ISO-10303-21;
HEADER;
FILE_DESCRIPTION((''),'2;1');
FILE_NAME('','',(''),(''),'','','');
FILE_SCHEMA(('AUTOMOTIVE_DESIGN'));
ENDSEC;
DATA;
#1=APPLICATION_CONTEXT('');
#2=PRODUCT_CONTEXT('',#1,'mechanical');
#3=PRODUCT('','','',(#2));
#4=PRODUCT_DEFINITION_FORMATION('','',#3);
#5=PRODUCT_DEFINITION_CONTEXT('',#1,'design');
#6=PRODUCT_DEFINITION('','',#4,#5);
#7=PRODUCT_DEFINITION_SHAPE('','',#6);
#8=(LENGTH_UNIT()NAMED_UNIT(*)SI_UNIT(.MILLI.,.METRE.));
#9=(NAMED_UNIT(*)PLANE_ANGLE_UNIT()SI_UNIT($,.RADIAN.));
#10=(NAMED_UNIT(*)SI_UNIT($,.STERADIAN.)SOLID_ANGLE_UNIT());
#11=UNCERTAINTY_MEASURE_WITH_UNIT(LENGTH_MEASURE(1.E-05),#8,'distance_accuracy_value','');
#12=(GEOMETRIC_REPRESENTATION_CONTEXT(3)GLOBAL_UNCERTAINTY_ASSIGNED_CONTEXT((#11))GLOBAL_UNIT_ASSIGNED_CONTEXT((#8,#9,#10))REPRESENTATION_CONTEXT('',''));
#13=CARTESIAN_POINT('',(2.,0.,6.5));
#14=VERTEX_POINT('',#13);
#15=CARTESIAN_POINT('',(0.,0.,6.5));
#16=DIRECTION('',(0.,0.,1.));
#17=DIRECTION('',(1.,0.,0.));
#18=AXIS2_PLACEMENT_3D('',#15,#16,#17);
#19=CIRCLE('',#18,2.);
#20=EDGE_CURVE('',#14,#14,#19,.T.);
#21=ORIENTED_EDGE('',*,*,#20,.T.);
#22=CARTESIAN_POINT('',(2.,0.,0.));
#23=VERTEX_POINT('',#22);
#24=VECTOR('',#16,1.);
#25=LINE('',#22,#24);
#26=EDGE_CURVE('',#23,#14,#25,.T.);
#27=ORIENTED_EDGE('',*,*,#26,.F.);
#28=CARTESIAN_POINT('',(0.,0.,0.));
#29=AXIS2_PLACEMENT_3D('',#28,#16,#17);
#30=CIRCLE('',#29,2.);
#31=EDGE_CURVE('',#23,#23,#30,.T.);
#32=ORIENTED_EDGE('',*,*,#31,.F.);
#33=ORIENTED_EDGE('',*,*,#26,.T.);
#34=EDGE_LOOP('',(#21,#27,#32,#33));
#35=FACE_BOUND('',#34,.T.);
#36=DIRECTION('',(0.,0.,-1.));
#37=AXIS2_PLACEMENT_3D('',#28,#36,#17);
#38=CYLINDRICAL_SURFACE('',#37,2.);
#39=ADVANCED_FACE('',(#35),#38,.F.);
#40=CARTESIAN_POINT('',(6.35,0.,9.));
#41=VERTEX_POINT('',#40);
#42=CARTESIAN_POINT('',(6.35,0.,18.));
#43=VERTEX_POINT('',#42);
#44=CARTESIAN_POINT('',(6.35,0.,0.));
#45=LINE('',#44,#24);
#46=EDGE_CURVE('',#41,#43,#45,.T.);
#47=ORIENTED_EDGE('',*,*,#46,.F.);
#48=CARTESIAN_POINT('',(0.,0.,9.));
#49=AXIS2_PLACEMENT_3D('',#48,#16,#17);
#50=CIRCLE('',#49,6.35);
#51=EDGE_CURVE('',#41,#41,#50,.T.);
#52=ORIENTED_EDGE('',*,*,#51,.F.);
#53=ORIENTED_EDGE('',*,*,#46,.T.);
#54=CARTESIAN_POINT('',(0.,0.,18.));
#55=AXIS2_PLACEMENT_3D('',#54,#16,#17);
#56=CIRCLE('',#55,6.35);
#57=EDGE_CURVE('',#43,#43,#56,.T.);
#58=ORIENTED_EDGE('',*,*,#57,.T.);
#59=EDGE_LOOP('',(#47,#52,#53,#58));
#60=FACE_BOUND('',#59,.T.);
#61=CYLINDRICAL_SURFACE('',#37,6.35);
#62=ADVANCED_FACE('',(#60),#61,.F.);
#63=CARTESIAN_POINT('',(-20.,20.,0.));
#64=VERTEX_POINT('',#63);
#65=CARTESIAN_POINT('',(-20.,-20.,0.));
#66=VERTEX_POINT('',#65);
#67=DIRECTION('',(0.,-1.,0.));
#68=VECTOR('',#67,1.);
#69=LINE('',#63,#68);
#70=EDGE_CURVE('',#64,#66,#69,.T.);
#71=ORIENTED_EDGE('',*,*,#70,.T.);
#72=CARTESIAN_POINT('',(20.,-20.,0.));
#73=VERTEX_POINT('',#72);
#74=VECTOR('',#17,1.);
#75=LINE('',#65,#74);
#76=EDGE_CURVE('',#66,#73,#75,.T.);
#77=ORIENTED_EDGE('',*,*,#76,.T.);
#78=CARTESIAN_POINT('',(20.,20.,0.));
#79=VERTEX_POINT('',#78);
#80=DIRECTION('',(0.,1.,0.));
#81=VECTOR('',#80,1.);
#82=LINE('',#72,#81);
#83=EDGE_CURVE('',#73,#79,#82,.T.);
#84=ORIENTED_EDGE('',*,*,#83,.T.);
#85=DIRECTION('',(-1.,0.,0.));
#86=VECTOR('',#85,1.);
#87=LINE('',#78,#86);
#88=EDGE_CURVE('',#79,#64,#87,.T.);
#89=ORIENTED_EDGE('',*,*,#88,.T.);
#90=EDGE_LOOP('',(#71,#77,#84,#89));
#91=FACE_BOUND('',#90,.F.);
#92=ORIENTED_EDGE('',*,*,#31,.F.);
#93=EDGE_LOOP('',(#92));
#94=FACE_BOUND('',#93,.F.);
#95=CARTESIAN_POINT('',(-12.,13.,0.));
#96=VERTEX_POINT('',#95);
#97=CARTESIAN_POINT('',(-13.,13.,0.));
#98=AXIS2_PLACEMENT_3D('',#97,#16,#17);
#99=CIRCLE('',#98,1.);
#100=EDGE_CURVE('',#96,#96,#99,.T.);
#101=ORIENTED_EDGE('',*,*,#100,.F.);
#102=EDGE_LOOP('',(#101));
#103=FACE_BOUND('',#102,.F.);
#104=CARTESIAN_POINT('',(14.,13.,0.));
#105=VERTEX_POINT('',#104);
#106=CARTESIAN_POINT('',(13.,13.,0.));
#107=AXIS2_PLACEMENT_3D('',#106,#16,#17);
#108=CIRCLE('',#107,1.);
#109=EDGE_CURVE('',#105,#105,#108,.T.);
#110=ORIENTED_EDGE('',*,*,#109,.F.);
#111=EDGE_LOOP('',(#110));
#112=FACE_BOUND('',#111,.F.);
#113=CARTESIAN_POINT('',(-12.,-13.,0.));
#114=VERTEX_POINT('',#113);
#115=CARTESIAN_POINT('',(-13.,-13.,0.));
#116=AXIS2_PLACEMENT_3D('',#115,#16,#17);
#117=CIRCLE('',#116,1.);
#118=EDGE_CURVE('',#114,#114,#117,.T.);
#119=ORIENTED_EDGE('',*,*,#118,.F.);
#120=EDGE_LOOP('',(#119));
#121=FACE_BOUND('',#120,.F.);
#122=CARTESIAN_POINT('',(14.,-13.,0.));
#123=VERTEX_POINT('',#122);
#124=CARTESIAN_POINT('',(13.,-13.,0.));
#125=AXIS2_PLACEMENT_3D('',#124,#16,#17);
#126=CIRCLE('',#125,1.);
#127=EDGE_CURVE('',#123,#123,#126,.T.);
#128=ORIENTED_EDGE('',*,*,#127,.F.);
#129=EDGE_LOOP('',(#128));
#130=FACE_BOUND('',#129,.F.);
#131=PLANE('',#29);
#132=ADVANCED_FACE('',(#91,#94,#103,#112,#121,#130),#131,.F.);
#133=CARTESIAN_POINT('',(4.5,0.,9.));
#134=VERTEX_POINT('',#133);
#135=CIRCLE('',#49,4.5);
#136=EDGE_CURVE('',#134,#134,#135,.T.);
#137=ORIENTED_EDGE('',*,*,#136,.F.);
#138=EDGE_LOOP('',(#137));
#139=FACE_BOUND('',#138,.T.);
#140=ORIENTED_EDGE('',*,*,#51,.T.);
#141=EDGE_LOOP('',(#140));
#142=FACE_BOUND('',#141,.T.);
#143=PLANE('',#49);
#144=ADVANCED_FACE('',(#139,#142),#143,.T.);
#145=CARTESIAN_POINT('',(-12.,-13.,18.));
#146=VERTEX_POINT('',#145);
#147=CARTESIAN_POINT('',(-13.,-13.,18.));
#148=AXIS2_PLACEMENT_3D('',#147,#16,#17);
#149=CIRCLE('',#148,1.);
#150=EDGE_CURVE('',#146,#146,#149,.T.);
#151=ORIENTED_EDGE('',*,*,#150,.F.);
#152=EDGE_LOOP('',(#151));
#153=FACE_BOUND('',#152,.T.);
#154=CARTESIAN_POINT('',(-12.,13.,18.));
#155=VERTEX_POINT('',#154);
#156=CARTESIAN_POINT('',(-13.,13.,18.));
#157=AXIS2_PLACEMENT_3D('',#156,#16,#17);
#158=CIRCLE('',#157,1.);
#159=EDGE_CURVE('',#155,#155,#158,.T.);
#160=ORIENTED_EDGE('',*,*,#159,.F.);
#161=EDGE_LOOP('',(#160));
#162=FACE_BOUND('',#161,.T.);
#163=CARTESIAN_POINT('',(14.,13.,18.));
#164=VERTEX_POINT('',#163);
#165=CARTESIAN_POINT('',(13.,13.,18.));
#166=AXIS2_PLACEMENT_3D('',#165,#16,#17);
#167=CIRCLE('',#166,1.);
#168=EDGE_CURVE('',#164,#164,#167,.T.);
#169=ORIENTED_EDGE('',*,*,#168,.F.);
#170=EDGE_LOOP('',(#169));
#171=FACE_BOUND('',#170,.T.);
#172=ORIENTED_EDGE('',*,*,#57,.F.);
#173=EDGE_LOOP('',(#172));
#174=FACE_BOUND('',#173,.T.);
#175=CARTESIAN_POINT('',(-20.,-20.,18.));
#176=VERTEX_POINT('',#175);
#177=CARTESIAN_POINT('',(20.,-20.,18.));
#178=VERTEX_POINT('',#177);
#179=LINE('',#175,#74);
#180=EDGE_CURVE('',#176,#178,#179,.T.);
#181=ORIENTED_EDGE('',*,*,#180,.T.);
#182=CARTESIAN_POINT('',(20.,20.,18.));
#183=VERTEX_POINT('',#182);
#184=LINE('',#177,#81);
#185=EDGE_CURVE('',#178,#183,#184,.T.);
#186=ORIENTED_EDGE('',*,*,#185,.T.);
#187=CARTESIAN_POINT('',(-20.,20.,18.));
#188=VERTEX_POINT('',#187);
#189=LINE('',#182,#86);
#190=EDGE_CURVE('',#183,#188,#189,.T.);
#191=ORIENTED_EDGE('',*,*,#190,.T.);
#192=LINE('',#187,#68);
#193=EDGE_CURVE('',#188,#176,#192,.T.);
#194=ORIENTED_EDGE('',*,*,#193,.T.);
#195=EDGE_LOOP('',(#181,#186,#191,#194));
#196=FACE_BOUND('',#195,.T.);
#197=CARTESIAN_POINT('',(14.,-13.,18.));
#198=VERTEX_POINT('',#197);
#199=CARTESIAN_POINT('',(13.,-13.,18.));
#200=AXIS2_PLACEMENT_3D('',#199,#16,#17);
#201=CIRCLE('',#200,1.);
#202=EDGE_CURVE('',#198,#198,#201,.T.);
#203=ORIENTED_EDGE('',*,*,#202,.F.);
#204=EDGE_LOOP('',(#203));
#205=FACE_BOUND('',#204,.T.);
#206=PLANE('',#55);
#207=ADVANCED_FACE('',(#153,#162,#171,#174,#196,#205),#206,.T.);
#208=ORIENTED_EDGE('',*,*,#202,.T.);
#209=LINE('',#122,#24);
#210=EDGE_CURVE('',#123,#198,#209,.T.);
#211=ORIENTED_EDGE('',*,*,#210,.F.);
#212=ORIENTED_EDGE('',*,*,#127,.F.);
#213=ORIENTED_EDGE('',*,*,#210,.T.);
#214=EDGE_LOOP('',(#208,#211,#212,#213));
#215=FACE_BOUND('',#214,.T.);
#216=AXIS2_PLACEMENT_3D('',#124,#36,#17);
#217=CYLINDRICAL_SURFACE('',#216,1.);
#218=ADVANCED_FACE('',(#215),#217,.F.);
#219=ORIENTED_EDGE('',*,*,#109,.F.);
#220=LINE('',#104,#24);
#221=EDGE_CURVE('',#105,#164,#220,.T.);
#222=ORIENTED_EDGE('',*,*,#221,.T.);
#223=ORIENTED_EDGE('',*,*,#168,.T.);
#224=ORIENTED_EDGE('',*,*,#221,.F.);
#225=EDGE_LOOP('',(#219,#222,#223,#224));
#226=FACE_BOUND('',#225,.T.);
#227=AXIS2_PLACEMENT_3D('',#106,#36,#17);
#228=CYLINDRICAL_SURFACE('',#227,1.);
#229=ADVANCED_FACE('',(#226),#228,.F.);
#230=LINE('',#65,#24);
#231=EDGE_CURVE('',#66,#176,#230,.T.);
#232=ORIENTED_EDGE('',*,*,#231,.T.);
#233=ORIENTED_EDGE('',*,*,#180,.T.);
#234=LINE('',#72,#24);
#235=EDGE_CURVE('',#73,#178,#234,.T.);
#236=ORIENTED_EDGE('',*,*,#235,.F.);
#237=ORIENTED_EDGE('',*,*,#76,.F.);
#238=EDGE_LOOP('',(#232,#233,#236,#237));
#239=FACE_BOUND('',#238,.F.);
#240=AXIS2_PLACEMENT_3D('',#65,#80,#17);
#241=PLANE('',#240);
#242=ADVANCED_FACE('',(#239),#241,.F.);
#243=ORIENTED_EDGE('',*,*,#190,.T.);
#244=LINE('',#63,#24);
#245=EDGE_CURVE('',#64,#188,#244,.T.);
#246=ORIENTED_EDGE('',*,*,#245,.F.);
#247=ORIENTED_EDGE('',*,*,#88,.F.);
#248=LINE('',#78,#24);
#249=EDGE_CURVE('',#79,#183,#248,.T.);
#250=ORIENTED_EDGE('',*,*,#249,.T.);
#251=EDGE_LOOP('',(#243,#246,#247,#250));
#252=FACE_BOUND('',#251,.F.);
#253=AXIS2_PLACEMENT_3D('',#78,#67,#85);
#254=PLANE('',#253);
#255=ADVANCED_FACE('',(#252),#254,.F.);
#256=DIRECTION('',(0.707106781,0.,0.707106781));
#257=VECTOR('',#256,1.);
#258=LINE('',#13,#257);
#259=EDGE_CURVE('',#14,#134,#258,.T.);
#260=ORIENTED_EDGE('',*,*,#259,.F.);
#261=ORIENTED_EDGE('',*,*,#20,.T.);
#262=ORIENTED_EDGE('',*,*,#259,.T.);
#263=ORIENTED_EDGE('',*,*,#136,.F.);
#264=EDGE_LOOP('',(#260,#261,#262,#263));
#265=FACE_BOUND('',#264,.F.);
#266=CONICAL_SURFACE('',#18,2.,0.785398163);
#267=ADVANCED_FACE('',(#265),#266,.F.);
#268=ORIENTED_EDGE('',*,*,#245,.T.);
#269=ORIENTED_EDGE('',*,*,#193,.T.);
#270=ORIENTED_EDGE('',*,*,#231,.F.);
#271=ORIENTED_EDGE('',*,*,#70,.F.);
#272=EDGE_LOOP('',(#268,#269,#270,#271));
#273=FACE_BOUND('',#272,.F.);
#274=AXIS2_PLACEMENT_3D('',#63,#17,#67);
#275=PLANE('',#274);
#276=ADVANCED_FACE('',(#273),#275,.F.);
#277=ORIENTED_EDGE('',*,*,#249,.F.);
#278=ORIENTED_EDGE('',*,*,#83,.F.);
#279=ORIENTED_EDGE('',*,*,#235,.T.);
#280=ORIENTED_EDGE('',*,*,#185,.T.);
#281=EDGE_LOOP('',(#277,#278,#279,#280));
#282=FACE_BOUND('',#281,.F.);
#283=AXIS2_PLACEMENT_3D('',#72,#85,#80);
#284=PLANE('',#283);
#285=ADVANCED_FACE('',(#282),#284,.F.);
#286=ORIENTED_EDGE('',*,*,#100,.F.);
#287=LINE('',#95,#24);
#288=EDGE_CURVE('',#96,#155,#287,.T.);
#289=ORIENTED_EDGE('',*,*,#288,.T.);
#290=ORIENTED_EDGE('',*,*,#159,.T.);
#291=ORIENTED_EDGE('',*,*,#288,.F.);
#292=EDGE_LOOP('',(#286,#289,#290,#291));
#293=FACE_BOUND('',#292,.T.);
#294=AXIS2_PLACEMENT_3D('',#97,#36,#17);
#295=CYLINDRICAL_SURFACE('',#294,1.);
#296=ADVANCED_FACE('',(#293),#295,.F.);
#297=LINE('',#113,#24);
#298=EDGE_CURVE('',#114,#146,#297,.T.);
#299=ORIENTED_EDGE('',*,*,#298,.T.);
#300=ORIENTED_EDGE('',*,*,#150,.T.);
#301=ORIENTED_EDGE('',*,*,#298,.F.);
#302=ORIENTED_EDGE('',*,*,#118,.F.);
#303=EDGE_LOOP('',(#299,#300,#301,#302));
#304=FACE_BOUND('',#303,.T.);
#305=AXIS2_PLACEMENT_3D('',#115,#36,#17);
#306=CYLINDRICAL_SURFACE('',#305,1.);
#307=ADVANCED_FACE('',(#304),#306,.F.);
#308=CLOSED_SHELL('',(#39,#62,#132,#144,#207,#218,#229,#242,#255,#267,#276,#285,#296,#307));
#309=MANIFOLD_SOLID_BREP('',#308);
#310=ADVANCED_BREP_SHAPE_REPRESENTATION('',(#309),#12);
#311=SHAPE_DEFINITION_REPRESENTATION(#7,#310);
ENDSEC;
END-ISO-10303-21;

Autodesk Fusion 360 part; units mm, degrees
sketch "Base" plane through (0, 0, 0) normal (0, 0, 1) x (1, 0, 0)
  line L0 (20, 20) -> (-20, 20)
  line L1 (-20, 20) -> (-20, -20)
  line L2 (-20, -20) -> (20, -20)
  line L3 (20, -20) -> (20, 20)
  line L4 (20, 20) -> (-20, -20) construction
  line L5 (-20, 20) -> (20, -20) construction
  circle A0 centre (0, 0) radius 2
  circle A1 centre (0, 0) radius 6.35
  line L6 (13, 13) -> (-13, 13) construction
  line L7 (-13, 13) -> (-13, -13) construction
  line L8 (-13, -13) -> (13, -13) construction
  line L9 (13, -13) -> (13, 13) construction
  line L10 (13, 13) -> (-13, -13) construction
  line L11 (-13, 13) -> (13, -13) construction
  circle A2 centre (-13, 13) radius 1
  circle A3 centre (13, 13) radius 1
  circle A4 centre (13, -13) radius 1
  circle A5 centre (-13, -13) radius 1
  dimension "d1" = 40
  dimension "d2" = 40
  dimension "d3" = 4
  dimension "d6" = 12.7
  dimension "d10" = 26
  dimension "d11" = 26
  dimension "d12" = 2
  dimension "d13" = 2
  dimension "d14" = 2
  dimension "d15" = 2
extrude "Extrude1" add sketch "Base" along normal blind 18 contours L0 L1 L2 L3
extrude "Extrude2" add sketch "Base" along normal blind 9 contours A1
chamfer "Chamfer1" distance 2.5 angle 45 1 edges at (-1.8647, 0.7232, 9)
equation "d13 = d12"
equation "d14 = d12"
equation "d15 = d12"
